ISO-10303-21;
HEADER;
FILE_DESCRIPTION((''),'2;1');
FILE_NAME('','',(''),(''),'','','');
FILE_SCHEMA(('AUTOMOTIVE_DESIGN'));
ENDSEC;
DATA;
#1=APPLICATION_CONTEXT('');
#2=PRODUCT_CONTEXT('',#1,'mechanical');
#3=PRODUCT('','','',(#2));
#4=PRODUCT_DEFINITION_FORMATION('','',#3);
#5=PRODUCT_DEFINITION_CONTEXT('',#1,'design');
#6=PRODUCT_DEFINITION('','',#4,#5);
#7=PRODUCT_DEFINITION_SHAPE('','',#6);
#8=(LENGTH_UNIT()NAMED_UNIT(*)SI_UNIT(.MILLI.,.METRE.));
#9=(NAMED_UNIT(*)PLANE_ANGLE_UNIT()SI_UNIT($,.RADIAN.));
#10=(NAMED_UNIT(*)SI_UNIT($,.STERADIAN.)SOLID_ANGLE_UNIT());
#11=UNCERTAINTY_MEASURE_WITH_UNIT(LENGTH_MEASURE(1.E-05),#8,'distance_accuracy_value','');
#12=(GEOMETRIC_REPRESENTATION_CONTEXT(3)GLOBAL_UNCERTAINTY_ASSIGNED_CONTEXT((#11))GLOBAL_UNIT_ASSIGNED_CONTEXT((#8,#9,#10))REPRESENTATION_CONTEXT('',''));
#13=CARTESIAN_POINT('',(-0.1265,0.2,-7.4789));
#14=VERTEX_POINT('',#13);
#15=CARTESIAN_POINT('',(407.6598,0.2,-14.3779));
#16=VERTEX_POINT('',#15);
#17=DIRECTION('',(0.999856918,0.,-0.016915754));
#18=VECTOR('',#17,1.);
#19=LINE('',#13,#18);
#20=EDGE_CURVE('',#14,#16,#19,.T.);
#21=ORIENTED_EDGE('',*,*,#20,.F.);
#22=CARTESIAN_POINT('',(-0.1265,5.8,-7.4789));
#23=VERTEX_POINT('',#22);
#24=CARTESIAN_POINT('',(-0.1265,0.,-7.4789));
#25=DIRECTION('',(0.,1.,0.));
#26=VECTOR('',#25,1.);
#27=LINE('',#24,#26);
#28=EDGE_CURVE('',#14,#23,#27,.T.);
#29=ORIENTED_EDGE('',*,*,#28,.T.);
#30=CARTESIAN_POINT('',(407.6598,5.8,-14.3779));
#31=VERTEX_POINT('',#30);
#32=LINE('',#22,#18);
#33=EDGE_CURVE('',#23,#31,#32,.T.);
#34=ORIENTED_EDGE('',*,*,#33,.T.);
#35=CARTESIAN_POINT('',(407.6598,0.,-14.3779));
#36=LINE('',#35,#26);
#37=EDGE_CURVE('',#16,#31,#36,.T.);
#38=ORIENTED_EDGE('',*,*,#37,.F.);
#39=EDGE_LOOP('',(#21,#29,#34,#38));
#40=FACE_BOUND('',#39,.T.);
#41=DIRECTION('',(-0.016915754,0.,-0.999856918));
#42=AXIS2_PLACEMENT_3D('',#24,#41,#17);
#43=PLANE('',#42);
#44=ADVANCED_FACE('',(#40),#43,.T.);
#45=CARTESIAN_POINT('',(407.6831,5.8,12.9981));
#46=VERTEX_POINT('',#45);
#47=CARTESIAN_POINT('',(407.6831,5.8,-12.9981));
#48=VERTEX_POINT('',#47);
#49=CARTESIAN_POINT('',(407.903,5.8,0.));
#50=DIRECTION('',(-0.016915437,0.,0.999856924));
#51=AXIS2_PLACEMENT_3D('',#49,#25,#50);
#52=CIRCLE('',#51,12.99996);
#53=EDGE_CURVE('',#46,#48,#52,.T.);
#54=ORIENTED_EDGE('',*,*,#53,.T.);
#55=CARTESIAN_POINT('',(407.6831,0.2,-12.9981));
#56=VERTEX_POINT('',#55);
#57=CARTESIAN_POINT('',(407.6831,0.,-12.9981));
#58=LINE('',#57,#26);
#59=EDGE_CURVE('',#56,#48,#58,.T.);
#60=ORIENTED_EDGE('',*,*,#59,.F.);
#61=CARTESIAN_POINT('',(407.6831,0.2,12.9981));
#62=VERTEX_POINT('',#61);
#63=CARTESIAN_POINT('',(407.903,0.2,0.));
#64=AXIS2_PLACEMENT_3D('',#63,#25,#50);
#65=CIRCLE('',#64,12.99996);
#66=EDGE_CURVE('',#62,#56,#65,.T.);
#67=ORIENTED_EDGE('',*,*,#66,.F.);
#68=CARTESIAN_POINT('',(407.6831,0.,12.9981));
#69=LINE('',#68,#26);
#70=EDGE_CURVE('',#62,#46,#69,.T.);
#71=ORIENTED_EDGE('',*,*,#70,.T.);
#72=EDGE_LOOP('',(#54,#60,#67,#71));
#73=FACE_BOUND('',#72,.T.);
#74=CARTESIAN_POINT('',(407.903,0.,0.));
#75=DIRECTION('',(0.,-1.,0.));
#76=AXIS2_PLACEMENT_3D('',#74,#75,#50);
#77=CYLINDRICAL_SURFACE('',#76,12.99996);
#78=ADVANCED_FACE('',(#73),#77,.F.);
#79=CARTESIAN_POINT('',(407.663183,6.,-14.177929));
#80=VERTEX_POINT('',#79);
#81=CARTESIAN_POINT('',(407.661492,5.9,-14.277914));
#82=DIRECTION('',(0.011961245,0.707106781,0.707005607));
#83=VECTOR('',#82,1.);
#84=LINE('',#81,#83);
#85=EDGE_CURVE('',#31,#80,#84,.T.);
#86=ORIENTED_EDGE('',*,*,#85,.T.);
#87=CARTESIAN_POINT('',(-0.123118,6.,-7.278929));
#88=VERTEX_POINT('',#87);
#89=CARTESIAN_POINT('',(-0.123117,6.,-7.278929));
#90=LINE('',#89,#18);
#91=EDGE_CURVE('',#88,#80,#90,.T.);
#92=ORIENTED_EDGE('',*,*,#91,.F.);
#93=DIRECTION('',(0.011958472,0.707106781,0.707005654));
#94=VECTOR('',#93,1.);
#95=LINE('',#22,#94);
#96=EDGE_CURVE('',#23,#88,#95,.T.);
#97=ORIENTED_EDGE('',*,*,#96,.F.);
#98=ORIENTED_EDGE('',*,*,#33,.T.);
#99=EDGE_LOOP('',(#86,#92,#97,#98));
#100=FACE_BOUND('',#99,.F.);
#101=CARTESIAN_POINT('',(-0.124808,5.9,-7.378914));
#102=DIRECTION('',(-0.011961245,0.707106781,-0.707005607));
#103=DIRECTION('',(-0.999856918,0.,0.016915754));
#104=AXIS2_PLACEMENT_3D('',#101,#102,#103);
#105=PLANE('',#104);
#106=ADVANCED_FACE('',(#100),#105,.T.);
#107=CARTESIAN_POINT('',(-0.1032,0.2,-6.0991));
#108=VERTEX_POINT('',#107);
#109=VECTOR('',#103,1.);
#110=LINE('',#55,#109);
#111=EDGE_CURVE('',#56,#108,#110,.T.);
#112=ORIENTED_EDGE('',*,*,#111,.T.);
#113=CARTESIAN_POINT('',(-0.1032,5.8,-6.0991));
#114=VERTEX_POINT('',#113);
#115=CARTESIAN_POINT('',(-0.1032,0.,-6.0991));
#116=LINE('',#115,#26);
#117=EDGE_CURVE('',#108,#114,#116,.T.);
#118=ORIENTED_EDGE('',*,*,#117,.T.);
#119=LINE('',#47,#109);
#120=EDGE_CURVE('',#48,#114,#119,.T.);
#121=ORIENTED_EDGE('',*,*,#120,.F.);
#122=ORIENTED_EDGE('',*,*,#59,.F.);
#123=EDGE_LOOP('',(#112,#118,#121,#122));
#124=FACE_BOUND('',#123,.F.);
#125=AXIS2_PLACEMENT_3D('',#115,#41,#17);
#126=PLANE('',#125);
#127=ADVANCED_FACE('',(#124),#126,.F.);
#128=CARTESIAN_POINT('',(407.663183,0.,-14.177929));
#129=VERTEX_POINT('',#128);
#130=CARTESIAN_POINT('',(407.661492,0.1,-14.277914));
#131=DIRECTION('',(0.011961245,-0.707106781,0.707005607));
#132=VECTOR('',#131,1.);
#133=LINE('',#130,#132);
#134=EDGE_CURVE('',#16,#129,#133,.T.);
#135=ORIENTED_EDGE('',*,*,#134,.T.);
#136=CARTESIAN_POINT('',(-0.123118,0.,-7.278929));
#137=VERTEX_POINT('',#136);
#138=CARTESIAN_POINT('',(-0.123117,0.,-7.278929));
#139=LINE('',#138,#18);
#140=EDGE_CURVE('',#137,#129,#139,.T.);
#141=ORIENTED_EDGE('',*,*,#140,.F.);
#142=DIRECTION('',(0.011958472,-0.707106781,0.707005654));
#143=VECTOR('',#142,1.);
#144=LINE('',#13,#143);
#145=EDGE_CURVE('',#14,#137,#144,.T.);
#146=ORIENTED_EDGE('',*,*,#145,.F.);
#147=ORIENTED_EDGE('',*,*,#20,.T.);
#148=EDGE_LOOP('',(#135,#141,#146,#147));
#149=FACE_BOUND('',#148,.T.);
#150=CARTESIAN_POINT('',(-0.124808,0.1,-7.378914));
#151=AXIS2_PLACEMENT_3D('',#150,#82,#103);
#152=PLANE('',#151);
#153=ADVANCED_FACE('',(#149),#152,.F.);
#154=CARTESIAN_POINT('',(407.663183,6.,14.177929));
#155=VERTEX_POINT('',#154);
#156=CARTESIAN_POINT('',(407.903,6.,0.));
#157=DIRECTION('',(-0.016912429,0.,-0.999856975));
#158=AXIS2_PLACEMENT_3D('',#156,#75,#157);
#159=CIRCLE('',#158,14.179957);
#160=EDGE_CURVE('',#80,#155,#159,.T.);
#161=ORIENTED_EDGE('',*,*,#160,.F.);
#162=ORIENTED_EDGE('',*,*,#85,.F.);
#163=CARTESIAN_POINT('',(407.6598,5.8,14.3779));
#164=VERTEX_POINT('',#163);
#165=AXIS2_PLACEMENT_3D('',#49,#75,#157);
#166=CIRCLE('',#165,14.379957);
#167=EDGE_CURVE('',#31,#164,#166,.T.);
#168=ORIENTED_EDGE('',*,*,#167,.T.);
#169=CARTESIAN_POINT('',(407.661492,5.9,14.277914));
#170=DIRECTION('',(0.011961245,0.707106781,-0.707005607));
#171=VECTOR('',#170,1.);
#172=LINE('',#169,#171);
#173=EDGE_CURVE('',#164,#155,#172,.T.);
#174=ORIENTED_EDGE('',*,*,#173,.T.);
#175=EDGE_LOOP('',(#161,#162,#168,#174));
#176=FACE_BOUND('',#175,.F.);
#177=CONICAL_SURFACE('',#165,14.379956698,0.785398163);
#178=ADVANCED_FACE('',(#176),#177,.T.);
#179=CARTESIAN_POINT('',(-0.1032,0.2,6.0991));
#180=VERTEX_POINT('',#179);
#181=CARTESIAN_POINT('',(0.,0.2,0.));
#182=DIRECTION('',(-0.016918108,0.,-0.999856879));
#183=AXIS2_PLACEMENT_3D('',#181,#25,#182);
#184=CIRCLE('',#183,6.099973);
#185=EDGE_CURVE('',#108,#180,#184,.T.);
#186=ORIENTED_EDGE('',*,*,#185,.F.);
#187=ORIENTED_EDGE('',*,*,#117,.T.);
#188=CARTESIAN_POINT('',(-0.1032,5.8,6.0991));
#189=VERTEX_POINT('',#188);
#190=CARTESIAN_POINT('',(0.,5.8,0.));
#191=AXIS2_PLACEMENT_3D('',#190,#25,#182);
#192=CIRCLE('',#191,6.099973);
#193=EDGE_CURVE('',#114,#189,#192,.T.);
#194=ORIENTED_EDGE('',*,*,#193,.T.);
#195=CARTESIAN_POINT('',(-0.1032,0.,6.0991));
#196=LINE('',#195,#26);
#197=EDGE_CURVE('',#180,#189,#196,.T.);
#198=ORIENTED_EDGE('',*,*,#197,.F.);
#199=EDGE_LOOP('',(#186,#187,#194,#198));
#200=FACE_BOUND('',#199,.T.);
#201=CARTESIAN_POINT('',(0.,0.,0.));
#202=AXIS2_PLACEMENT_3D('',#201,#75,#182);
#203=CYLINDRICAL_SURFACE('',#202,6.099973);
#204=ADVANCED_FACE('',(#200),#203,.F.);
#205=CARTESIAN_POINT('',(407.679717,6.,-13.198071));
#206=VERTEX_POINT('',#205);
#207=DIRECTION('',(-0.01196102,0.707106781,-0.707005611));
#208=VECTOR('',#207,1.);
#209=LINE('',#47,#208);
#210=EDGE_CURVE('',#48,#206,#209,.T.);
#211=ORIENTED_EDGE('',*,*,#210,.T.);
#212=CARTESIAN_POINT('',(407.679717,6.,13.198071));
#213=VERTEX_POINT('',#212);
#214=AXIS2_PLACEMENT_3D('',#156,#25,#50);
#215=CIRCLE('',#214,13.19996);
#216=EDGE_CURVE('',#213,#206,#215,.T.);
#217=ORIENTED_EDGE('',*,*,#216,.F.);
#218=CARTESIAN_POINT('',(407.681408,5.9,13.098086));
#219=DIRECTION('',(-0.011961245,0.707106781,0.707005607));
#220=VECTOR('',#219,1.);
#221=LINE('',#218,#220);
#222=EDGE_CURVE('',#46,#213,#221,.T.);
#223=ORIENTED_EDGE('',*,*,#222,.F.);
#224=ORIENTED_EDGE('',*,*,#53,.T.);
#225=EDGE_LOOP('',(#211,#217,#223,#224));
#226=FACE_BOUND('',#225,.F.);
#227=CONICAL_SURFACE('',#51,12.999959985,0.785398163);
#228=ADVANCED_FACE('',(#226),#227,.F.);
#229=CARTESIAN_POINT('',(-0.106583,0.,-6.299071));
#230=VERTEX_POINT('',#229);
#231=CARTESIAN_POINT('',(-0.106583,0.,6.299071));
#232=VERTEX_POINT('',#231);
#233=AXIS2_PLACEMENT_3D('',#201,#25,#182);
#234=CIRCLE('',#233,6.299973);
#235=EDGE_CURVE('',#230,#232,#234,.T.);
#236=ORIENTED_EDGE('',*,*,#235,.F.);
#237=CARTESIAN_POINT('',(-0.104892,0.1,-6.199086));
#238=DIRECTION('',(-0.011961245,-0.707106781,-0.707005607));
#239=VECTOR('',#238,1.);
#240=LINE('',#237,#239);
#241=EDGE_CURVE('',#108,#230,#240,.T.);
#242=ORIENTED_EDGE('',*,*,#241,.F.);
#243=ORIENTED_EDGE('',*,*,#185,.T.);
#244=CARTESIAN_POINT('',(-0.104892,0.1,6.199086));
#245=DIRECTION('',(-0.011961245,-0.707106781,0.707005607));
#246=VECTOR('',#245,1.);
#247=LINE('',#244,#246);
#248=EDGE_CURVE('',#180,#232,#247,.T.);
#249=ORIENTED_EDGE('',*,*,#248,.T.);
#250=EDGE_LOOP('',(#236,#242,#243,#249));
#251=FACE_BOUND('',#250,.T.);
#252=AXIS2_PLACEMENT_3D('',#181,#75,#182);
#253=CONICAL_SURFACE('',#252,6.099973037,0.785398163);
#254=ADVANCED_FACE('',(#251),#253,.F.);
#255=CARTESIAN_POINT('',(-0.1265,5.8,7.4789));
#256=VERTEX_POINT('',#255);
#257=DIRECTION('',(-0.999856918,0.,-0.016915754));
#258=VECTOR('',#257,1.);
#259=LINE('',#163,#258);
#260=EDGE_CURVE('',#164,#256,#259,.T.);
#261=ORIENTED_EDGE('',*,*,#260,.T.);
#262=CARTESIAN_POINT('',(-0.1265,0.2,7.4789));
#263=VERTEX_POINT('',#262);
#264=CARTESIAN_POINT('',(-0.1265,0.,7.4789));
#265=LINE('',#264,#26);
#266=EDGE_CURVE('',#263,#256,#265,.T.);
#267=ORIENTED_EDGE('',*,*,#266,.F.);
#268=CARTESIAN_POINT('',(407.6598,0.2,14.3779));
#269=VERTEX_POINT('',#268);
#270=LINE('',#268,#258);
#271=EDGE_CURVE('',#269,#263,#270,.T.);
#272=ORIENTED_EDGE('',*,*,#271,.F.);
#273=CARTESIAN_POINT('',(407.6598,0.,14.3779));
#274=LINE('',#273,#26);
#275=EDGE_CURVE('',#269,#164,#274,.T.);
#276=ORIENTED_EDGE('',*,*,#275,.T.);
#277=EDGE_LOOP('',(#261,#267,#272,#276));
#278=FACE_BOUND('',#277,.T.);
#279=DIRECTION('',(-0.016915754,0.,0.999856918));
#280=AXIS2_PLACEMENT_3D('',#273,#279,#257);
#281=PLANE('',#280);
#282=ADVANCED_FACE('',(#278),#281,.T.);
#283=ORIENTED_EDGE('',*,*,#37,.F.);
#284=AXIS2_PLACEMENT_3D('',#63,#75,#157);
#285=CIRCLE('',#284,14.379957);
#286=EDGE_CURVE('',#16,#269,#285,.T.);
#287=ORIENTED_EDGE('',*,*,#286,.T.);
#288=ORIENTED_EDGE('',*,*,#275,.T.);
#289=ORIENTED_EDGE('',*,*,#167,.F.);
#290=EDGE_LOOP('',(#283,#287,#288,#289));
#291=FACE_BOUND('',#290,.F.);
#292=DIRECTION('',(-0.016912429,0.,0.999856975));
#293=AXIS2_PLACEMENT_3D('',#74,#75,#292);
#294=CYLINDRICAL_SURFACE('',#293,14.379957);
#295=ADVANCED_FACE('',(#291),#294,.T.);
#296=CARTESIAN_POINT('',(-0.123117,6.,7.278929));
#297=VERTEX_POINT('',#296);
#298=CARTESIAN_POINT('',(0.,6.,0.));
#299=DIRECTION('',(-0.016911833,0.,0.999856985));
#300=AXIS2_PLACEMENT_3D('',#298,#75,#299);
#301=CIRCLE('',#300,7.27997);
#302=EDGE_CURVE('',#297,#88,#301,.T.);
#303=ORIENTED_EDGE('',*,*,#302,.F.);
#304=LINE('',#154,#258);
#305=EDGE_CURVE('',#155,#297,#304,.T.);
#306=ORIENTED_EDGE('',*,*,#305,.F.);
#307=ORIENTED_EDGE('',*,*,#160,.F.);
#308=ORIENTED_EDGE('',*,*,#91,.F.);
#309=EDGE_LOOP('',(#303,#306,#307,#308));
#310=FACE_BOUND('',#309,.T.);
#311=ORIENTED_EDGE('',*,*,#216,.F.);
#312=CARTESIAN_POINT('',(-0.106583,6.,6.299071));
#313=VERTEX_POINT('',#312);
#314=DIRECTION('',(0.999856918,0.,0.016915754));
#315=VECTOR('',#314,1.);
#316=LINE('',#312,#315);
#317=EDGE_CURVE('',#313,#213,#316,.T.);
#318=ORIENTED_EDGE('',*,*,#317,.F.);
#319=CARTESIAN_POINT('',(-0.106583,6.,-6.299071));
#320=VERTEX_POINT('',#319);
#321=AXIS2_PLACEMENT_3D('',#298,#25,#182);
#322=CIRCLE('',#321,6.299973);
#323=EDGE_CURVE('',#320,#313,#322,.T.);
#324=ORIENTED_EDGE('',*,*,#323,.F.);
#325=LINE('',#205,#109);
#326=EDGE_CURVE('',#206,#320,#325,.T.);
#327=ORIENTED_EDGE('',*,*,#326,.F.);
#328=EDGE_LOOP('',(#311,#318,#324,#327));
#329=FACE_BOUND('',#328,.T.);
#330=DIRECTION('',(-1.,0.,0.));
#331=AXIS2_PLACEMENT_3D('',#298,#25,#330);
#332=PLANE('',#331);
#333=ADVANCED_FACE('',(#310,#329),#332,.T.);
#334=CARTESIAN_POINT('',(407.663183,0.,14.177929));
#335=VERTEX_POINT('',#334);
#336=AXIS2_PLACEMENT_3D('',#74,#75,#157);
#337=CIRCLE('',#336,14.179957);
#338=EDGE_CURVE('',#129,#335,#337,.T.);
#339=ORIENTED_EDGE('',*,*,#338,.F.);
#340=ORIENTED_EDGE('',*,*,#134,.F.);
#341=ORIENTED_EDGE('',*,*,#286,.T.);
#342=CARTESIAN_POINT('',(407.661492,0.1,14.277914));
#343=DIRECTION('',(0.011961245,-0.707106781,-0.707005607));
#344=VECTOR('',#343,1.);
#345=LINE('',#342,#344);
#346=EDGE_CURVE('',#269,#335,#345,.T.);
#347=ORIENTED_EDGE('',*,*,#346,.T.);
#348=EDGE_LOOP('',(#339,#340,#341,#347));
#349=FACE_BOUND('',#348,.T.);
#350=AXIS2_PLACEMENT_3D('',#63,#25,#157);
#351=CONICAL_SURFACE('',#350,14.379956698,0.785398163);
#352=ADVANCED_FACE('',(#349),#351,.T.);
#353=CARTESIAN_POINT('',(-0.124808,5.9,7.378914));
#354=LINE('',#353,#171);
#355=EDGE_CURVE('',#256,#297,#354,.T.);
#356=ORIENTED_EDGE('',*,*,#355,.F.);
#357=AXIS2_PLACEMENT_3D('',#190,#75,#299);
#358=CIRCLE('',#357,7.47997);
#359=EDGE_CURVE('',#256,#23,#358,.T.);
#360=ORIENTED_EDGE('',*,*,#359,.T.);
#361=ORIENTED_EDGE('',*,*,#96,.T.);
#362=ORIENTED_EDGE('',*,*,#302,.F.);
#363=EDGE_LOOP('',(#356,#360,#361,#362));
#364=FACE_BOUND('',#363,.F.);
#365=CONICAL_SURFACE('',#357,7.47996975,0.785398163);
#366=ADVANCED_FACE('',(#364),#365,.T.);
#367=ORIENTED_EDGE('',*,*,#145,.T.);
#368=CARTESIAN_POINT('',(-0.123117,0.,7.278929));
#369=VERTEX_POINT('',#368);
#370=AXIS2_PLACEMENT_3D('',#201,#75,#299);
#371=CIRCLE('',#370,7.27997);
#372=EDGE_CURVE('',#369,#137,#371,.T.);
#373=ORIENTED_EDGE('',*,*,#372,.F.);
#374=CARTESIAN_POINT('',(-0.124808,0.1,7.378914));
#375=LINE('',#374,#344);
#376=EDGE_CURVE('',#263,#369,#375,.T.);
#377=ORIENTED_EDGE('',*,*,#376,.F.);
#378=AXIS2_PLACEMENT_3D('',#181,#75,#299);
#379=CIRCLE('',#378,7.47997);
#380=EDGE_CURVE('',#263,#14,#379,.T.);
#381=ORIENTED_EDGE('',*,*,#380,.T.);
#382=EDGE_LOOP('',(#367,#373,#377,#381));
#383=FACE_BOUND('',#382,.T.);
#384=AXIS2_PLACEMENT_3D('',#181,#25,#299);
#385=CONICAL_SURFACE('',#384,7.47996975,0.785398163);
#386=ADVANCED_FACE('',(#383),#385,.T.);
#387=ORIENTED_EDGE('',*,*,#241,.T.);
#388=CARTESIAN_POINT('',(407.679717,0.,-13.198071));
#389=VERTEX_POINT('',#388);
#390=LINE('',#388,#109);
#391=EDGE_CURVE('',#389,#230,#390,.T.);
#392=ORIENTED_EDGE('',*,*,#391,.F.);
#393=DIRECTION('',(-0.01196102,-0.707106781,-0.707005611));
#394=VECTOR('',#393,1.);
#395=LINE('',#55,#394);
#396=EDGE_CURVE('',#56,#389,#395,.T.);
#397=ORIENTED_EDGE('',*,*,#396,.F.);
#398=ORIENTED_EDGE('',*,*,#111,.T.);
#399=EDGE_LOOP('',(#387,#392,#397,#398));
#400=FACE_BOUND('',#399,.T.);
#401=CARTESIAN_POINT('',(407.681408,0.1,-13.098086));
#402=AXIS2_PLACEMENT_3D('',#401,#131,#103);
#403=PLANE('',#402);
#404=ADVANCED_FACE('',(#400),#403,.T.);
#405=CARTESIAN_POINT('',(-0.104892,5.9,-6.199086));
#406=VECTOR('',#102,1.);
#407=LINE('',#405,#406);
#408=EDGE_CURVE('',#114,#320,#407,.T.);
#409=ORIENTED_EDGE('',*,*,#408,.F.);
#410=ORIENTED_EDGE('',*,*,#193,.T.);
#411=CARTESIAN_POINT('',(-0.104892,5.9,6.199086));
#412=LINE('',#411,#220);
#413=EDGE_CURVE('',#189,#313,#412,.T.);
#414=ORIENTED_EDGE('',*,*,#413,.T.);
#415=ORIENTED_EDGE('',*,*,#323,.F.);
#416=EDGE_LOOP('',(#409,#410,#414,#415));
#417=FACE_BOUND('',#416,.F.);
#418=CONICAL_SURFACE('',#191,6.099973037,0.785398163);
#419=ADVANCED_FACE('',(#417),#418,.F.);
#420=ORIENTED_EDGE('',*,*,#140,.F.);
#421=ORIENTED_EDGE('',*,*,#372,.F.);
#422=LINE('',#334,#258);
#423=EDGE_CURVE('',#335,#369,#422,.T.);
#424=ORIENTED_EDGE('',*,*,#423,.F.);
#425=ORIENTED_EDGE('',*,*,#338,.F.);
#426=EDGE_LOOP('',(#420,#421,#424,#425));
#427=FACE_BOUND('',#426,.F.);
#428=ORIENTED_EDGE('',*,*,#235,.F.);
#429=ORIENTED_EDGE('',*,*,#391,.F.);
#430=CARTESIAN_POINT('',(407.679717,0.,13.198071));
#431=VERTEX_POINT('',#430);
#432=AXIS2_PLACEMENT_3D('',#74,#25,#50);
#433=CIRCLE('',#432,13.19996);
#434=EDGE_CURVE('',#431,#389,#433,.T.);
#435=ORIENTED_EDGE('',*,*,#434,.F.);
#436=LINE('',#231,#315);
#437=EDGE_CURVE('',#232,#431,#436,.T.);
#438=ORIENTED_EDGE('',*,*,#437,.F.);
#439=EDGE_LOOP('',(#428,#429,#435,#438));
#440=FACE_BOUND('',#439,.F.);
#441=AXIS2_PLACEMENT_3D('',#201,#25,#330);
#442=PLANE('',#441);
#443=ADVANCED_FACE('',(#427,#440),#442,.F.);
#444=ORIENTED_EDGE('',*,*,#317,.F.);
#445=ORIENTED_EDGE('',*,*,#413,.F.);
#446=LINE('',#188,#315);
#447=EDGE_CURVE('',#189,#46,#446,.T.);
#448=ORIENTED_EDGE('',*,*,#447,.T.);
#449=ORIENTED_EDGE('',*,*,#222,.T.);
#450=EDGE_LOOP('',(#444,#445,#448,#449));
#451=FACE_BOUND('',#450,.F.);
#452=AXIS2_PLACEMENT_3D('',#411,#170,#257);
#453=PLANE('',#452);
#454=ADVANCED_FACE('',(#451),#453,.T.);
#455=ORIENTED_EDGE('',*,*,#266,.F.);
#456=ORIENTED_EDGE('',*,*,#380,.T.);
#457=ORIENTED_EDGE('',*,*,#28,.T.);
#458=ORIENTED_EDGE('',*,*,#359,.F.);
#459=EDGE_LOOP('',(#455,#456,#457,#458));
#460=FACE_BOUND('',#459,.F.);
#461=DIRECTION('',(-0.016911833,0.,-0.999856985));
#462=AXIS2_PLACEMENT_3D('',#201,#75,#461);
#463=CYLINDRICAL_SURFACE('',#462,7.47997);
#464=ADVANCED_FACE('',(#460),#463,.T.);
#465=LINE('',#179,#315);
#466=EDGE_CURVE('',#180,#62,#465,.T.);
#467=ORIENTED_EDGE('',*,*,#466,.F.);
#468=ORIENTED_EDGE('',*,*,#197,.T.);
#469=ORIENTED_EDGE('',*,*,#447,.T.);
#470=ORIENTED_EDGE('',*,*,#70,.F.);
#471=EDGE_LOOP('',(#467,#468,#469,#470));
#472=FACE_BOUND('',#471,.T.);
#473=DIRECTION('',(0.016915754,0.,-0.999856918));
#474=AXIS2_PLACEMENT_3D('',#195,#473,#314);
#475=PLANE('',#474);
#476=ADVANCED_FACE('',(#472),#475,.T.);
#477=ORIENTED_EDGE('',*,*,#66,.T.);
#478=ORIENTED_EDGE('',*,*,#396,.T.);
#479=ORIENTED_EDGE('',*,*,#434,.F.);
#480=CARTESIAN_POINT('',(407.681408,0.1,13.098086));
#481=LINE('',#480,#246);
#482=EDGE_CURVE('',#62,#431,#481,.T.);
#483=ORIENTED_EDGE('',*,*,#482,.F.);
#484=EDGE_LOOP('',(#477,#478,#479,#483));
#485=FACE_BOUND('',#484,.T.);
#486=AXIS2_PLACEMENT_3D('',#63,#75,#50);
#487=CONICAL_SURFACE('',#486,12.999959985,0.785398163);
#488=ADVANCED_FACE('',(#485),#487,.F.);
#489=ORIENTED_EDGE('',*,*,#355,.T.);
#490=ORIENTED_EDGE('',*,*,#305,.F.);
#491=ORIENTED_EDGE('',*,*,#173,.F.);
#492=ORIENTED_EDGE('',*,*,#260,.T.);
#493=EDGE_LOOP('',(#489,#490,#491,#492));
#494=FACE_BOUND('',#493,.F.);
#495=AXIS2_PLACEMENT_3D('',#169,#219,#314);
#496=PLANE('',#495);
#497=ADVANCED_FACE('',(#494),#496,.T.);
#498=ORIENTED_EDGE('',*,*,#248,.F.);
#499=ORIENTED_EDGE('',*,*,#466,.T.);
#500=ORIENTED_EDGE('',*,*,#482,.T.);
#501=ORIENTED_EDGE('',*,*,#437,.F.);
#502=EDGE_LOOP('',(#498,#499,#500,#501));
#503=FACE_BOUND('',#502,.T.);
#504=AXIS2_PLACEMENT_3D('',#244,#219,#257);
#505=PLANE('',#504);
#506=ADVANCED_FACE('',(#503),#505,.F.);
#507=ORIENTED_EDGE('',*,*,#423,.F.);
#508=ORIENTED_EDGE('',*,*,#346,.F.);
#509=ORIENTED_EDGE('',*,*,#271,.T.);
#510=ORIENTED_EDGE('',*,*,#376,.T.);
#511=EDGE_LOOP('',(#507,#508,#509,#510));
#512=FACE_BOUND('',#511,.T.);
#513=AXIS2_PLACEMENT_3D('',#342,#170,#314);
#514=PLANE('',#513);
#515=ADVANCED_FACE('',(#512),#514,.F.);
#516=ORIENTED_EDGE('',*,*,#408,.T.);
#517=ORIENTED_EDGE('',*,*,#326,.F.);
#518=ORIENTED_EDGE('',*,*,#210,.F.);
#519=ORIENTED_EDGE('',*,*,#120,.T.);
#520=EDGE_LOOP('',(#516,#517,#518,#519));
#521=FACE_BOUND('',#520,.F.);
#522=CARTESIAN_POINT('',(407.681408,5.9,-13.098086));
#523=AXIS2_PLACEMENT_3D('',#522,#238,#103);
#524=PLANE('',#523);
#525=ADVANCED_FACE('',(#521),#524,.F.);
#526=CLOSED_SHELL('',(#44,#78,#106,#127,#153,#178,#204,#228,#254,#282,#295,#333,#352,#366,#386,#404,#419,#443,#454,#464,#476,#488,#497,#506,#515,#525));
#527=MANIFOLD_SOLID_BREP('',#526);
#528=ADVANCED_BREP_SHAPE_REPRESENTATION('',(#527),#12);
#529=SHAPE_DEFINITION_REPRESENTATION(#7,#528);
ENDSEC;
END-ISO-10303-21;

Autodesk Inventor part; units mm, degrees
ref_plane "YZ Plane" through (0, 0, 0) normal (1, 0, 0) x (0, 1, 0)
ref_plane "XZ Plane" through (0, 0, 0) normal (0, 1, 0) x (-1, 0, 0)
ref_plane "XY Plane" through (0, 0, 0) normal (0, 0, 1) x (1, 0, 0)
sketch "Sketch1" plane through (0, 0, 0) normal (0, 1, 0) x (-1, 0, 0)
  line L0 (0.1032, -6.0991) -> (-407.6831, -12.9981)
  line L1 (0.1032, 6.0991) -> (-407.6831, 12.9981)
  arc A0 (0.1032, -6.0991) -> (0.1032, 6.0991) centre (0, 0) ccw
  arc A1 (-407.6831, 12.9981) -> (-407.6831, -12.9981) centre (-407.903, 0) ccw
  line L2 (-407.6598, 14.3779) -> (0.1265, 7.4789)
  arc A2 (0.1265, -7.4789) -> (0.1265, 7.4789) centre (0, 0) ccw
  line L3 (0.1265, -7.4789) -> (-407.6598, -14.3779)
  arc A3 (-407.6598, 14.3779) -> (-407.6598, -14.3779) centre (-407.903, 0) ccw
  dimension "d2" = 6.1
  dimension "d3" = 13
  dimension "d4" = 1.38
  dimension "d5" = 407.903
extrude "Extrusion1" add sketch "Sketch1" along normal blind 6
chamfer "Chamfer1" distance 0.2 angle 45 16 edges at (203.79, 6, 9.5486) (-6.1, 6, 0) (203.79, 6, -9.5486) (420.903, 6, 0) (203.7666, 6, 10.9284) (422.283, 6, 0) (203.7666, 6, -10.9284) (-7.48, 6, 0) (203.7666, 0, 10.9284) (-7.48, 0, 0) (203.7666, 0, -10.9284) (422.283, 0, 0) (203.79, 0, 9.5486) (420.903, 0, 0) (203.79, 0, -9.5486) (-6.1, 0, 0)
properties part number "y_axis_belt" material "Rubber"
